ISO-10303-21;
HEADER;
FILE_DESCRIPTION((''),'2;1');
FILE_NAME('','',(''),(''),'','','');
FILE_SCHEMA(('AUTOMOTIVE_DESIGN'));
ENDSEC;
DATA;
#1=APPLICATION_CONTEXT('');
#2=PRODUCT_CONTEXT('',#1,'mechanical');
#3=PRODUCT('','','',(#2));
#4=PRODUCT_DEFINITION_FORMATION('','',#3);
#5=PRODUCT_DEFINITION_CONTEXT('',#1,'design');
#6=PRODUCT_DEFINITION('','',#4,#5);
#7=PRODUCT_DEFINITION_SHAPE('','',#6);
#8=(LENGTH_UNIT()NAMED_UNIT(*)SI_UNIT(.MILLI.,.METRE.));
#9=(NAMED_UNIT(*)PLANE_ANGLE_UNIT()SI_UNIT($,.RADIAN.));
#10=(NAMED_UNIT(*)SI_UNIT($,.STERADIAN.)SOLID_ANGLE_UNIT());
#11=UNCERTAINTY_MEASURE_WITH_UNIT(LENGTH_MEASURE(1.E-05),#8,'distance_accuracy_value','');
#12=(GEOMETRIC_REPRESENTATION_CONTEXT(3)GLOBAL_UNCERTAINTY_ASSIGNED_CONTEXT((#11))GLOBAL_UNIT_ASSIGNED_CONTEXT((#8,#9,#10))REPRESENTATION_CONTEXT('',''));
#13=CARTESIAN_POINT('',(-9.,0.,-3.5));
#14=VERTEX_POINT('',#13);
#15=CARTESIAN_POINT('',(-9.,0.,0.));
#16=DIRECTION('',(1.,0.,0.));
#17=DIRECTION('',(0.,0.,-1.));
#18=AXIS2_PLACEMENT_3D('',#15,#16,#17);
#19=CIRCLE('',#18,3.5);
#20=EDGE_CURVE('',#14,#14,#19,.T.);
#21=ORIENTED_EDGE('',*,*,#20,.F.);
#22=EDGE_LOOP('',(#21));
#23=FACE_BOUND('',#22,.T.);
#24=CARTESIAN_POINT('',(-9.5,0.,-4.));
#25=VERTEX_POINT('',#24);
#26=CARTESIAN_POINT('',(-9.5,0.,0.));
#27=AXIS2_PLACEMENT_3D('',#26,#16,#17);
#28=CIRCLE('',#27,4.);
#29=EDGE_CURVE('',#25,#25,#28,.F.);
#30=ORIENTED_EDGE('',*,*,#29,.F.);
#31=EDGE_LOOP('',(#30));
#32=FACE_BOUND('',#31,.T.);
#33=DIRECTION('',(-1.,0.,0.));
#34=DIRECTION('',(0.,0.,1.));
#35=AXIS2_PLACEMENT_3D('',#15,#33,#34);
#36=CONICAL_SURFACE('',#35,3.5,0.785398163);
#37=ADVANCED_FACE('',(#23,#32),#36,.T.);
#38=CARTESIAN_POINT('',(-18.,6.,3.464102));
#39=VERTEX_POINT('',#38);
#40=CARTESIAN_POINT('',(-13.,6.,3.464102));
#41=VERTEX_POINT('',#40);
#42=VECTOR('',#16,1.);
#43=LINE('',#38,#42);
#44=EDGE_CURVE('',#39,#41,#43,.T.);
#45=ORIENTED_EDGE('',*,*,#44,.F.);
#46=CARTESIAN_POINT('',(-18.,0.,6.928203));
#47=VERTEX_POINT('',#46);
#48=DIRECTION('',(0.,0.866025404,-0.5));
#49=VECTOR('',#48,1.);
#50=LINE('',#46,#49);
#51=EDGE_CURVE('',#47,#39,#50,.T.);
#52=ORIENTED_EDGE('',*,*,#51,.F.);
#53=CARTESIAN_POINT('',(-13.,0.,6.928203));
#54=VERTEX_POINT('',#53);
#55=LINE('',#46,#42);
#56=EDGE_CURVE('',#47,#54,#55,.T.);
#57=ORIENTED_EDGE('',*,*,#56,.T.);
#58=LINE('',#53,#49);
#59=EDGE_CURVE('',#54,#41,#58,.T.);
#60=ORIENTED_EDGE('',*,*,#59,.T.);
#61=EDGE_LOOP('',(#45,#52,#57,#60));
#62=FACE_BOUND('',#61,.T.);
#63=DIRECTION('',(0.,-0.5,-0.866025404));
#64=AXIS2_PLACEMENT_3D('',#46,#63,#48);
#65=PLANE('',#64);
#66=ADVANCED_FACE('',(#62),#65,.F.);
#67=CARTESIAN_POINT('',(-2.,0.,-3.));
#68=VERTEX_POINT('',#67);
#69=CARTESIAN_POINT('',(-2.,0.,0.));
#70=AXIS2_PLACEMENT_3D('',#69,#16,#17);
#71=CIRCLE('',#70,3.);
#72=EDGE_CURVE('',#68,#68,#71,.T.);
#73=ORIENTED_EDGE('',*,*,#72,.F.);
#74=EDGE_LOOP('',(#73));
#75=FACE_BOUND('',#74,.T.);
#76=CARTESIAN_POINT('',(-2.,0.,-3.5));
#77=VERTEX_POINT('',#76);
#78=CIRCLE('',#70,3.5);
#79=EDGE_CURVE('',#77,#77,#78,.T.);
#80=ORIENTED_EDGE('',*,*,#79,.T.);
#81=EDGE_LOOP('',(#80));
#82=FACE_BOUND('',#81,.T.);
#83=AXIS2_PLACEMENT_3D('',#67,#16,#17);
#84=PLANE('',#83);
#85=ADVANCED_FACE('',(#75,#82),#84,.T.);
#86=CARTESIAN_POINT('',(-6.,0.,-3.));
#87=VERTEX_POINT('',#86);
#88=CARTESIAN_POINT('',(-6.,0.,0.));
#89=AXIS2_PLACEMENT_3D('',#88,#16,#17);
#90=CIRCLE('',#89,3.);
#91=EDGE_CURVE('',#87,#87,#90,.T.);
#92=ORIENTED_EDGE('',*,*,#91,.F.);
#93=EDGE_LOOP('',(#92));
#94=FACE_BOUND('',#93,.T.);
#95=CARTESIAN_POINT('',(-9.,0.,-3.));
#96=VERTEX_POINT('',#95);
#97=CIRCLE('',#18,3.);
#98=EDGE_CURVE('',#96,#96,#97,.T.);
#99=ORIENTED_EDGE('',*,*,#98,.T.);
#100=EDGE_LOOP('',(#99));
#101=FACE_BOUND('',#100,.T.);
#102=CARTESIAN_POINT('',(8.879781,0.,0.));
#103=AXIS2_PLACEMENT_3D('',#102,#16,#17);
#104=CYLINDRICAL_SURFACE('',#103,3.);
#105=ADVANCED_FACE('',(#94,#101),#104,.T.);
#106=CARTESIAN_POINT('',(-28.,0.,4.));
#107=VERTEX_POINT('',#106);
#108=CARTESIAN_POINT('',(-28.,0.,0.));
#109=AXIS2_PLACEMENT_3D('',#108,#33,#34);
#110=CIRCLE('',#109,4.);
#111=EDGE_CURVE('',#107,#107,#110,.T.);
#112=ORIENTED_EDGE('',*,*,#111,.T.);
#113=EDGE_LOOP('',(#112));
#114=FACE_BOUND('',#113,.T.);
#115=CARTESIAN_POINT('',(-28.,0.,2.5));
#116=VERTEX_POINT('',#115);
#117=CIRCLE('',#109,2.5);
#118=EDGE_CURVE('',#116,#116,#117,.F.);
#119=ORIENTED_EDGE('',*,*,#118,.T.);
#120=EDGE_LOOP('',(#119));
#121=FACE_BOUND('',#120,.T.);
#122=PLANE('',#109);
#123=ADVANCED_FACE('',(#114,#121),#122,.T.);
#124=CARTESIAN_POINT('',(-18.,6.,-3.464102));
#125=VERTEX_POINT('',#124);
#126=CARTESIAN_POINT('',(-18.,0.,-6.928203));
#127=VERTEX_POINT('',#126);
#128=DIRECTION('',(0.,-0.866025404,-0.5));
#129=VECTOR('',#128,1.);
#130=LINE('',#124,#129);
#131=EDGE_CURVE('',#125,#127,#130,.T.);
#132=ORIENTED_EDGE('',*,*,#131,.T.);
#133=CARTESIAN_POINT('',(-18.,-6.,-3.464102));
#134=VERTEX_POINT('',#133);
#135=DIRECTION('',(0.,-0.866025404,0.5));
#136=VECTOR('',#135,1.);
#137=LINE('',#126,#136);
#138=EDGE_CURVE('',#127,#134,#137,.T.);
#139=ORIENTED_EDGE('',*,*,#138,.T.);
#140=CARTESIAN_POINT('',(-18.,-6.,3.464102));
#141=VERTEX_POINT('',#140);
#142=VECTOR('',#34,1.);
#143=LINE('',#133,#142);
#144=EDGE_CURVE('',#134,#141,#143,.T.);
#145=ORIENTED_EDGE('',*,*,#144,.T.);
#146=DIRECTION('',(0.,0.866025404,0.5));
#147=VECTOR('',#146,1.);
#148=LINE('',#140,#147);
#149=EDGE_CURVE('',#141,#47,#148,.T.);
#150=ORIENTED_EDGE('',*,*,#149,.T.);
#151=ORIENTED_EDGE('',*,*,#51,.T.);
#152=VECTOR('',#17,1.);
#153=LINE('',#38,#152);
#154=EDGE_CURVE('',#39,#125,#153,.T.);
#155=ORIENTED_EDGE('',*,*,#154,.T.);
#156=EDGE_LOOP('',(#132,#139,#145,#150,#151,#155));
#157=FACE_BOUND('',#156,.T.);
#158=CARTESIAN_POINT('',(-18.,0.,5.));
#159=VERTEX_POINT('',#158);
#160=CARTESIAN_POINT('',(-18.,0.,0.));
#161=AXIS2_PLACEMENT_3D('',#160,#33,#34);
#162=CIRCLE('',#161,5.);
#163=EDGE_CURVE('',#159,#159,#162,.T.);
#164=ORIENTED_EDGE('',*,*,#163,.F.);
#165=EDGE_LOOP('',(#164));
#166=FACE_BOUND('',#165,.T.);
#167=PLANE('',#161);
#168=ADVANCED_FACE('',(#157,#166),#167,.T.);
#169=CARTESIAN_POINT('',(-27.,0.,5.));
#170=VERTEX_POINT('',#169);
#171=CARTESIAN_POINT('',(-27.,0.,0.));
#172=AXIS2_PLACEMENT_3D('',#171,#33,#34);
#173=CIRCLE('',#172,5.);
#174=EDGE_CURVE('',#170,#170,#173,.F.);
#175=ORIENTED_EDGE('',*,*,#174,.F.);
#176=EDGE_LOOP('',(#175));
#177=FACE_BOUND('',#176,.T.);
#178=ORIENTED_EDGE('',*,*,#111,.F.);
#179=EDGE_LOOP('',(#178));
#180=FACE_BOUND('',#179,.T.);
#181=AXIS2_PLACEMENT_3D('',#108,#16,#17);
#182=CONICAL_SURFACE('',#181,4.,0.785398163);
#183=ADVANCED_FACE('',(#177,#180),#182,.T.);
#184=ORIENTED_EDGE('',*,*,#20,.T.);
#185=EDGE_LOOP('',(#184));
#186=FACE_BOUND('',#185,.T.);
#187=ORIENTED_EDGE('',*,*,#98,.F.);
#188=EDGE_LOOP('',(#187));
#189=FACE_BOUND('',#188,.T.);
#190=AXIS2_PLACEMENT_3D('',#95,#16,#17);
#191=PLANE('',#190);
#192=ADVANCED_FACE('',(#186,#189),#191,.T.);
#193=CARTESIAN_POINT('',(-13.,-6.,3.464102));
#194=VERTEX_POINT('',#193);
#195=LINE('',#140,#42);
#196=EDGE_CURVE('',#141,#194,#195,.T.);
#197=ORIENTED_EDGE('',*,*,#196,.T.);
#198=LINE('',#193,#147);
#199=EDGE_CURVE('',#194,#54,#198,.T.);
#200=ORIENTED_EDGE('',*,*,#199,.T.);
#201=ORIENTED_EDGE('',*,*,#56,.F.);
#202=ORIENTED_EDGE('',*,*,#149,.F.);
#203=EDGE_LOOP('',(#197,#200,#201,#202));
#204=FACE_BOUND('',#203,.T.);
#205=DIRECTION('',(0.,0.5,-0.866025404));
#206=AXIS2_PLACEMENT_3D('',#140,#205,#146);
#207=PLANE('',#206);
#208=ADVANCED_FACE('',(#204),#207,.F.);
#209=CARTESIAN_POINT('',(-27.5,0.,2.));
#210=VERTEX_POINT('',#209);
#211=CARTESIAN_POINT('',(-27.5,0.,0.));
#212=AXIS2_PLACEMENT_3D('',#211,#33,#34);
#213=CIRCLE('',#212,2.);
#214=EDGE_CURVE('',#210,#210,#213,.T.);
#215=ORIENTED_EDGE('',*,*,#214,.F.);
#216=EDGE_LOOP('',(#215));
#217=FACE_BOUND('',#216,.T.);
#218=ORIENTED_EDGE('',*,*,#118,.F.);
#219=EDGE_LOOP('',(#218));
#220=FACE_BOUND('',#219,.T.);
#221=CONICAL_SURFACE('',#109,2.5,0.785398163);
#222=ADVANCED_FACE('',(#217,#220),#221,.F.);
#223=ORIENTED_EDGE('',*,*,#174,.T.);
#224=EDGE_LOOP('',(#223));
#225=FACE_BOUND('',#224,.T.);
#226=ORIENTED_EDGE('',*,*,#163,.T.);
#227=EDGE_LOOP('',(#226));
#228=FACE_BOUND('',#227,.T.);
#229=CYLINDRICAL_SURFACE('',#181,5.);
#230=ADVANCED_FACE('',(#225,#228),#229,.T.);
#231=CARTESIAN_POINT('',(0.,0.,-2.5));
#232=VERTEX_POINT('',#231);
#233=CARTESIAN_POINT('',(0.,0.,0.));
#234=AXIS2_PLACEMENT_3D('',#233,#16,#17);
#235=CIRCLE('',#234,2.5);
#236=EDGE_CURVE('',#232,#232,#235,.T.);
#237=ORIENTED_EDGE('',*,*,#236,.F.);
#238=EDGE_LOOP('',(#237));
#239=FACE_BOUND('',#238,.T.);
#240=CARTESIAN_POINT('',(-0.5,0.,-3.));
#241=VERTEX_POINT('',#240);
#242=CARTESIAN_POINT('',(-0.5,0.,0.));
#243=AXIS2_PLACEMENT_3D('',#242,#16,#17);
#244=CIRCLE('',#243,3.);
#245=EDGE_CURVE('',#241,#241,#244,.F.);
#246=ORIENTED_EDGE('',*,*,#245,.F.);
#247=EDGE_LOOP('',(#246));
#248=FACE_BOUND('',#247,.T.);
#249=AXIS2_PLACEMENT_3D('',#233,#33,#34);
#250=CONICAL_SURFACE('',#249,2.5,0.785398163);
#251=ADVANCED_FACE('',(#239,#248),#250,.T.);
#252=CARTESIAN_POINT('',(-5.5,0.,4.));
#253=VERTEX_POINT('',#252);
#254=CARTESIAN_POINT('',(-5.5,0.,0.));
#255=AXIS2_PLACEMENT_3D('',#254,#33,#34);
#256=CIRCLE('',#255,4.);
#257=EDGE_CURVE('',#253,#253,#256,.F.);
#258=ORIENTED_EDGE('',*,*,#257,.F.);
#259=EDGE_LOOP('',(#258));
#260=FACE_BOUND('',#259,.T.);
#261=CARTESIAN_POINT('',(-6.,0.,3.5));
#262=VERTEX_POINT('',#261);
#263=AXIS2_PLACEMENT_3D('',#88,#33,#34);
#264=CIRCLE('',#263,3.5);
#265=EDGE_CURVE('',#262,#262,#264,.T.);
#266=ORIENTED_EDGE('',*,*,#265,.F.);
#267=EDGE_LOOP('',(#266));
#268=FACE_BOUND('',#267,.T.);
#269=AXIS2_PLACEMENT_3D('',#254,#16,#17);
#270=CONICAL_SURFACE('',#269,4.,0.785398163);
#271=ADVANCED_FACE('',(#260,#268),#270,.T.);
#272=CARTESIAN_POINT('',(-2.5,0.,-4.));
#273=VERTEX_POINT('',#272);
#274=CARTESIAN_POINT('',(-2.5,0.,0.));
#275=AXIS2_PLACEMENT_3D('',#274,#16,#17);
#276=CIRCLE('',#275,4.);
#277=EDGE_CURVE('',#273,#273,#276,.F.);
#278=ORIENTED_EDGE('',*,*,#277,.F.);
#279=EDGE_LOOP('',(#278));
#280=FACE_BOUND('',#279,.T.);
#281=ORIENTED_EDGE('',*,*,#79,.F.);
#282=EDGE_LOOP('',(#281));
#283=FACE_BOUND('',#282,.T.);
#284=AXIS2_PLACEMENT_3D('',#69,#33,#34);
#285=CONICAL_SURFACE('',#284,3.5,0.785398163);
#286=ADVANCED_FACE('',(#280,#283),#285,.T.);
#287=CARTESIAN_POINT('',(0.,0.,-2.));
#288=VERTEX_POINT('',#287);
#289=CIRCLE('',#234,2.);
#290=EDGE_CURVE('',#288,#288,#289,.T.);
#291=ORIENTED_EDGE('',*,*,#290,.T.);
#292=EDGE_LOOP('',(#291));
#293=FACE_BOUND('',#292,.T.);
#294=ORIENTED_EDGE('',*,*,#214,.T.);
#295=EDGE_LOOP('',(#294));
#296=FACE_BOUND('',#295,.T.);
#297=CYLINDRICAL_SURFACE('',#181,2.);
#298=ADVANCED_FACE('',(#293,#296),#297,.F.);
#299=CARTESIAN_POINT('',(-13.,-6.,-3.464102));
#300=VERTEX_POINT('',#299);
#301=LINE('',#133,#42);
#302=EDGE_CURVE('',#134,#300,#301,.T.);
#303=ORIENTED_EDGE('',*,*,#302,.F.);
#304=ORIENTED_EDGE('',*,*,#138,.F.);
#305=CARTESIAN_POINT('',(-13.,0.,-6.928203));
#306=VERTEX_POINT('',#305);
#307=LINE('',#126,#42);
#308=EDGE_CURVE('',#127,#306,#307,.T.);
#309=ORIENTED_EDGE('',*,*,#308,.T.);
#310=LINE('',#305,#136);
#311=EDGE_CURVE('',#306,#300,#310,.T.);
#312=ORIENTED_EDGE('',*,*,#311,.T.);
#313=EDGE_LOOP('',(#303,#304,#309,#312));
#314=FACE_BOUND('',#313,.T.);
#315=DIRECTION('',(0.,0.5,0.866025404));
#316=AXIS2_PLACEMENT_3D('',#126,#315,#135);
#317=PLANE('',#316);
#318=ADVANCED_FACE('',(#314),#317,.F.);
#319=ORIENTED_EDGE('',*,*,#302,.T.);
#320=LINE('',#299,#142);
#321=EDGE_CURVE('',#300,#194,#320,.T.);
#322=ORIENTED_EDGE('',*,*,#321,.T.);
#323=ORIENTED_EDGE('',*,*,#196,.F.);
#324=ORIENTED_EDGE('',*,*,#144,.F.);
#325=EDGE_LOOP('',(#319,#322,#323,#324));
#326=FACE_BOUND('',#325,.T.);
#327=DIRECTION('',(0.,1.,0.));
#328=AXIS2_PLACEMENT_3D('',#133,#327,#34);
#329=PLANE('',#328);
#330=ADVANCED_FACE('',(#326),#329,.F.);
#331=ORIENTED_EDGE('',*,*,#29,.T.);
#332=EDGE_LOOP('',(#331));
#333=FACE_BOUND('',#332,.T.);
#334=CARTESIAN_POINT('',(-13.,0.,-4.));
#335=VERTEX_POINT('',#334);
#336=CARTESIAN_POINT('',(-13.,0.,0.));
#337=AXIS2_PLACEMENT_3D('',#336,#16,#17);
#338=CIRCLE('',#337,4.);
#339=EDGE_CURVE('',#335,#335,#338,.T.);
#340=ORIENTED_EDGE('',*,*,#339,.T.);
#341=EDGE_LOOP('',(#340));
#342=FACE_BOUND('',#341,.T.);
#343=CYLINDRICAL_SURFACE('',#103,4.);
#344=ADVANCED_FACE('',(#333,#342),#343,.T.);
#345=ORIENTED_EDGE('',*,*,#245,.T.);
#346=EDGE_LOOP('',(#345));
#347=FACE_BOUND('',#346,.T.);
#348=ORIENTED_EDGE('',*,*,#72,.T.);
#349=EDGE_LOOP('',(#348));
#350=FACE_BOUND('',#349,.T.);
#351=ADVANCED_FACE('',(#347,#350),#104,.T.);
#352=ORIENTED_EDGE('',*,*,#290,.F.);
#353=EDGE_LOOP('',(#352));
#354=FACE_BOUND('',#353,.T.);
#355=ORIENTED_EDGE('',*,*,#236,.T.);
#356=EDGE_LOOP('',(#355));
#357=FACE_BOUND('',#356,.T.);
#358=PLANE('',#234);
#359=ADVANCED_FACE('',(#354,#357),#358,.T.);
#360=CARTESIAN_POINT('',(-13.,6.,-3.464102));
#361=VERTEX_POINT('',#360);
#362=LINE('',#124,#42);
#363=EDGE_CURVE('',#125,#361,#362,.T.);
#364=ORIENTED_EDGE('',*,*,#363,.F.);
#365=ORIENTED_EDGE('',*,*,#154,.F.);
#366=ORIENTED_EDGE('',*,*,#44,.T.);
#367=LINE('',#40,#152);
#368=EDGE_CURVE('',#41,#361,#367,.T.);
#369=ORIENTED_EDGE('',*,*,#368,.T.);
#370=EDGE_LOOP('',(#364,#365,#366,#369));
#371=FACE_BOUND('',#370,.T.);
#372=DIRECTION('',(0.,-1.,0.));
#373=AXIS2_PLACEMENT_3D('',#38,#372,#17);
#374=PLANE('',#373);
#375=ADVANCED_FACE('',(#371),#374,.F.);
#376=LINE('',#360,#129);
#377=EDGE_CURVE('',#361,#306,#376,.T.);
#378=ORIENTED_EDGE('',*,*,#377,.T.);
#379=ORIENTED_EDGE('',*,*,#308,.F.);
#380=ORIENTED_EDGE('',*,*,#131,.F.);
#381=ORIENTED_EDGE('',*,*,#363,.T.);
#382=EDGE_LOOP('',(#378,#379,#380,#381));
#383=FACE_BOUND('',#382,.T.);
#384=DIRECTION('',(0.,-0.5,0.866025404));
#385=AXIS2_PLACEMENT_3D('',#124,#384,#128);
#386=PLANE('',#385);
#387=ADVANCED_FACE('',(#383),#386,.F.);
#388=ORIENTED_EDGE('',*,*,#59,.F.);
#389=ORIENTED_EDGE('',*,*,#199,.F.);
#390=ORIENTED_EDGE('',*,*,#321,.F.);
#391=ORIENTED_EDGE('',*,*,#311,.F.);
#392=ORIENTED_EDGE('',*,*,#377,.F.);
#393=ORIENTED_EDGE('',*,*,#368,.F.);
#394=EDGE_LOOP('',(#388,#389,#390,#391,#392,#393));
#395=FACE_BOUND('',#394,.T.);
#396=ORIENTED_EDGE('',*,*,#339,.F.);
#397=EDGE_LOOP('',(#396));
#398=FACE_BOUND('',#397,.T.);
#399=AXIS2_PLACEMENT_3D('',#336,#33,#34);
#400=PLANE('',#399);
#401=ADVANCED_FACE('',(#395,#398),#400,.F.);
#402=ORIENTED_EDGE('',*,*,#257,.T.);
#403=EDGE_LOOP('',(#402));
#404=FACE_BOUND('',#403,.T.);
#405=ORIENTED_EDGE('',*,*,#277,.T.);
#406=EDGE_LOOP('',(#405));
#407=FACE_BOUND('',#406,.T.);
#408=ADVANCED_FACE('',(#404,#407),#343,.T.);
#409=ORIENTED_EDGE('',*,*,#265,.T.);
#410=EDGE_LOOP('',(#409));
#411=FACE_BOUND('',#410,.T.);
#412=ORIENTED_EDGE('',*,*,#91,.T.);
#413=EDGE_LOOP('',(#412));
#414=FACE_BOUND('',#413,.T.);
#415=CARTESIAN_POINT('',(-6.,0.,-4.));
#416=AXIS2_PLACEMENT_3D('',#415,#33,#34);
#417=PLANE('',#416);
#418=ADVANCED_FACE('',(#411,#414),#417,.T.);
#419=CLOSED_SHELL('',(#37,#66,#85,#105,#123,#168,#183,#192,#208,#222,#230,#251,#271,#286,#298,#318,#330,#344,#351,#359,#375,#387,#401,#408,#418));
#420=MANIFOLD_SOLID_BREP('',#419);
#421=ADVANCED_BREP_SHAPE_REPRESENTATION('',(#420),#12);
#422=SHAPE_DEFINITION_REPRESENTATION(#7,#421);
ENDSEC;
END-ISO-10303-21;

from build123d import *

# Parameters (mm, degrees)
BOSS_EXTRUDE1_DEPTH = 5
SKETCH3_R           = 5
BOSS_EXTRUDE2_DEPTH = 10
SKETCH4_R           = 2
CUT_EXTRUDE1_DEPTH  = 29
CHAMFER1_SIZE       = 0.5
CHAMFER2_SIZE       = 1


with BuildPart() as part:
    # Sketch1 → Revolve1 (revolve)
    with BuildSketch(Plane(origin=(0, 0, 0), x_dir=(1, 0, 0), z_dir=(0, 1, 0))):
        Polygon((0, 0), (0, 3), (-2, 3), (-2, 4), (-6, 4), (-6, 3), (-9, 3), (-9, 4), (-13, 4), (-13, 0), align=None)
    revolve(axis=Axis((8.879781421, 0, 0), (-1, 0, 0)))

    # Sketch2 → Boss-Extrude1 (add)
    with BuildSketch(Plane.ZY.offset(13)):
        Polygon((6.92820323, 0), (3.464101615, 6), (-3.464101615, 6), (-6.92820323, 0), (-3.464101615, -6), (3.464101615, -6), align=None)
    extrude(amount=BOSS_EXTRUDE1_DEPTH)

    # Sketch3 → Boss-Extrude2 (add)
    with BuildSketch(Plane.ZY.offset(18)):
        Circle(SKETCH3_R)
    extrude(amount=BOSS_EXTRUDE2_DEPTH)

    # Sketch4 → Cut-Extrude1 (cut, through all)
    with BuildSketch(Plane(origin=(0, 0, 0), x_dir=(0, 0, -1), z_dir=(1, 0, 0))):
        Circle(SKETCH4_R)
    extrude(amount=-CUT_EXTRUDE1_DEPTH, mode=Mode.SUBTRACT)

    # Chamfer1
    chamfer1_edges = [part.edges().sort_by_distance(p)[0] for p in [
        (-6, 0, 4),
        (-2, 0, 4),
        (0, 0, 3),
        (-28, 0, 2),
        (-9, 0, 4),
    ]]
    chamfer(chamfer1_edges, length=CHAMFER1_SIZE)

    # Chamfer2
    chamfer2_edges = [part.edges().sort_by_distance(p)[0] for p in [
        (-28, 0, -5),
    ]]
    chamfer(chamfer2_edges, length=CHAMFER2_SIZE)


solid = part.part
